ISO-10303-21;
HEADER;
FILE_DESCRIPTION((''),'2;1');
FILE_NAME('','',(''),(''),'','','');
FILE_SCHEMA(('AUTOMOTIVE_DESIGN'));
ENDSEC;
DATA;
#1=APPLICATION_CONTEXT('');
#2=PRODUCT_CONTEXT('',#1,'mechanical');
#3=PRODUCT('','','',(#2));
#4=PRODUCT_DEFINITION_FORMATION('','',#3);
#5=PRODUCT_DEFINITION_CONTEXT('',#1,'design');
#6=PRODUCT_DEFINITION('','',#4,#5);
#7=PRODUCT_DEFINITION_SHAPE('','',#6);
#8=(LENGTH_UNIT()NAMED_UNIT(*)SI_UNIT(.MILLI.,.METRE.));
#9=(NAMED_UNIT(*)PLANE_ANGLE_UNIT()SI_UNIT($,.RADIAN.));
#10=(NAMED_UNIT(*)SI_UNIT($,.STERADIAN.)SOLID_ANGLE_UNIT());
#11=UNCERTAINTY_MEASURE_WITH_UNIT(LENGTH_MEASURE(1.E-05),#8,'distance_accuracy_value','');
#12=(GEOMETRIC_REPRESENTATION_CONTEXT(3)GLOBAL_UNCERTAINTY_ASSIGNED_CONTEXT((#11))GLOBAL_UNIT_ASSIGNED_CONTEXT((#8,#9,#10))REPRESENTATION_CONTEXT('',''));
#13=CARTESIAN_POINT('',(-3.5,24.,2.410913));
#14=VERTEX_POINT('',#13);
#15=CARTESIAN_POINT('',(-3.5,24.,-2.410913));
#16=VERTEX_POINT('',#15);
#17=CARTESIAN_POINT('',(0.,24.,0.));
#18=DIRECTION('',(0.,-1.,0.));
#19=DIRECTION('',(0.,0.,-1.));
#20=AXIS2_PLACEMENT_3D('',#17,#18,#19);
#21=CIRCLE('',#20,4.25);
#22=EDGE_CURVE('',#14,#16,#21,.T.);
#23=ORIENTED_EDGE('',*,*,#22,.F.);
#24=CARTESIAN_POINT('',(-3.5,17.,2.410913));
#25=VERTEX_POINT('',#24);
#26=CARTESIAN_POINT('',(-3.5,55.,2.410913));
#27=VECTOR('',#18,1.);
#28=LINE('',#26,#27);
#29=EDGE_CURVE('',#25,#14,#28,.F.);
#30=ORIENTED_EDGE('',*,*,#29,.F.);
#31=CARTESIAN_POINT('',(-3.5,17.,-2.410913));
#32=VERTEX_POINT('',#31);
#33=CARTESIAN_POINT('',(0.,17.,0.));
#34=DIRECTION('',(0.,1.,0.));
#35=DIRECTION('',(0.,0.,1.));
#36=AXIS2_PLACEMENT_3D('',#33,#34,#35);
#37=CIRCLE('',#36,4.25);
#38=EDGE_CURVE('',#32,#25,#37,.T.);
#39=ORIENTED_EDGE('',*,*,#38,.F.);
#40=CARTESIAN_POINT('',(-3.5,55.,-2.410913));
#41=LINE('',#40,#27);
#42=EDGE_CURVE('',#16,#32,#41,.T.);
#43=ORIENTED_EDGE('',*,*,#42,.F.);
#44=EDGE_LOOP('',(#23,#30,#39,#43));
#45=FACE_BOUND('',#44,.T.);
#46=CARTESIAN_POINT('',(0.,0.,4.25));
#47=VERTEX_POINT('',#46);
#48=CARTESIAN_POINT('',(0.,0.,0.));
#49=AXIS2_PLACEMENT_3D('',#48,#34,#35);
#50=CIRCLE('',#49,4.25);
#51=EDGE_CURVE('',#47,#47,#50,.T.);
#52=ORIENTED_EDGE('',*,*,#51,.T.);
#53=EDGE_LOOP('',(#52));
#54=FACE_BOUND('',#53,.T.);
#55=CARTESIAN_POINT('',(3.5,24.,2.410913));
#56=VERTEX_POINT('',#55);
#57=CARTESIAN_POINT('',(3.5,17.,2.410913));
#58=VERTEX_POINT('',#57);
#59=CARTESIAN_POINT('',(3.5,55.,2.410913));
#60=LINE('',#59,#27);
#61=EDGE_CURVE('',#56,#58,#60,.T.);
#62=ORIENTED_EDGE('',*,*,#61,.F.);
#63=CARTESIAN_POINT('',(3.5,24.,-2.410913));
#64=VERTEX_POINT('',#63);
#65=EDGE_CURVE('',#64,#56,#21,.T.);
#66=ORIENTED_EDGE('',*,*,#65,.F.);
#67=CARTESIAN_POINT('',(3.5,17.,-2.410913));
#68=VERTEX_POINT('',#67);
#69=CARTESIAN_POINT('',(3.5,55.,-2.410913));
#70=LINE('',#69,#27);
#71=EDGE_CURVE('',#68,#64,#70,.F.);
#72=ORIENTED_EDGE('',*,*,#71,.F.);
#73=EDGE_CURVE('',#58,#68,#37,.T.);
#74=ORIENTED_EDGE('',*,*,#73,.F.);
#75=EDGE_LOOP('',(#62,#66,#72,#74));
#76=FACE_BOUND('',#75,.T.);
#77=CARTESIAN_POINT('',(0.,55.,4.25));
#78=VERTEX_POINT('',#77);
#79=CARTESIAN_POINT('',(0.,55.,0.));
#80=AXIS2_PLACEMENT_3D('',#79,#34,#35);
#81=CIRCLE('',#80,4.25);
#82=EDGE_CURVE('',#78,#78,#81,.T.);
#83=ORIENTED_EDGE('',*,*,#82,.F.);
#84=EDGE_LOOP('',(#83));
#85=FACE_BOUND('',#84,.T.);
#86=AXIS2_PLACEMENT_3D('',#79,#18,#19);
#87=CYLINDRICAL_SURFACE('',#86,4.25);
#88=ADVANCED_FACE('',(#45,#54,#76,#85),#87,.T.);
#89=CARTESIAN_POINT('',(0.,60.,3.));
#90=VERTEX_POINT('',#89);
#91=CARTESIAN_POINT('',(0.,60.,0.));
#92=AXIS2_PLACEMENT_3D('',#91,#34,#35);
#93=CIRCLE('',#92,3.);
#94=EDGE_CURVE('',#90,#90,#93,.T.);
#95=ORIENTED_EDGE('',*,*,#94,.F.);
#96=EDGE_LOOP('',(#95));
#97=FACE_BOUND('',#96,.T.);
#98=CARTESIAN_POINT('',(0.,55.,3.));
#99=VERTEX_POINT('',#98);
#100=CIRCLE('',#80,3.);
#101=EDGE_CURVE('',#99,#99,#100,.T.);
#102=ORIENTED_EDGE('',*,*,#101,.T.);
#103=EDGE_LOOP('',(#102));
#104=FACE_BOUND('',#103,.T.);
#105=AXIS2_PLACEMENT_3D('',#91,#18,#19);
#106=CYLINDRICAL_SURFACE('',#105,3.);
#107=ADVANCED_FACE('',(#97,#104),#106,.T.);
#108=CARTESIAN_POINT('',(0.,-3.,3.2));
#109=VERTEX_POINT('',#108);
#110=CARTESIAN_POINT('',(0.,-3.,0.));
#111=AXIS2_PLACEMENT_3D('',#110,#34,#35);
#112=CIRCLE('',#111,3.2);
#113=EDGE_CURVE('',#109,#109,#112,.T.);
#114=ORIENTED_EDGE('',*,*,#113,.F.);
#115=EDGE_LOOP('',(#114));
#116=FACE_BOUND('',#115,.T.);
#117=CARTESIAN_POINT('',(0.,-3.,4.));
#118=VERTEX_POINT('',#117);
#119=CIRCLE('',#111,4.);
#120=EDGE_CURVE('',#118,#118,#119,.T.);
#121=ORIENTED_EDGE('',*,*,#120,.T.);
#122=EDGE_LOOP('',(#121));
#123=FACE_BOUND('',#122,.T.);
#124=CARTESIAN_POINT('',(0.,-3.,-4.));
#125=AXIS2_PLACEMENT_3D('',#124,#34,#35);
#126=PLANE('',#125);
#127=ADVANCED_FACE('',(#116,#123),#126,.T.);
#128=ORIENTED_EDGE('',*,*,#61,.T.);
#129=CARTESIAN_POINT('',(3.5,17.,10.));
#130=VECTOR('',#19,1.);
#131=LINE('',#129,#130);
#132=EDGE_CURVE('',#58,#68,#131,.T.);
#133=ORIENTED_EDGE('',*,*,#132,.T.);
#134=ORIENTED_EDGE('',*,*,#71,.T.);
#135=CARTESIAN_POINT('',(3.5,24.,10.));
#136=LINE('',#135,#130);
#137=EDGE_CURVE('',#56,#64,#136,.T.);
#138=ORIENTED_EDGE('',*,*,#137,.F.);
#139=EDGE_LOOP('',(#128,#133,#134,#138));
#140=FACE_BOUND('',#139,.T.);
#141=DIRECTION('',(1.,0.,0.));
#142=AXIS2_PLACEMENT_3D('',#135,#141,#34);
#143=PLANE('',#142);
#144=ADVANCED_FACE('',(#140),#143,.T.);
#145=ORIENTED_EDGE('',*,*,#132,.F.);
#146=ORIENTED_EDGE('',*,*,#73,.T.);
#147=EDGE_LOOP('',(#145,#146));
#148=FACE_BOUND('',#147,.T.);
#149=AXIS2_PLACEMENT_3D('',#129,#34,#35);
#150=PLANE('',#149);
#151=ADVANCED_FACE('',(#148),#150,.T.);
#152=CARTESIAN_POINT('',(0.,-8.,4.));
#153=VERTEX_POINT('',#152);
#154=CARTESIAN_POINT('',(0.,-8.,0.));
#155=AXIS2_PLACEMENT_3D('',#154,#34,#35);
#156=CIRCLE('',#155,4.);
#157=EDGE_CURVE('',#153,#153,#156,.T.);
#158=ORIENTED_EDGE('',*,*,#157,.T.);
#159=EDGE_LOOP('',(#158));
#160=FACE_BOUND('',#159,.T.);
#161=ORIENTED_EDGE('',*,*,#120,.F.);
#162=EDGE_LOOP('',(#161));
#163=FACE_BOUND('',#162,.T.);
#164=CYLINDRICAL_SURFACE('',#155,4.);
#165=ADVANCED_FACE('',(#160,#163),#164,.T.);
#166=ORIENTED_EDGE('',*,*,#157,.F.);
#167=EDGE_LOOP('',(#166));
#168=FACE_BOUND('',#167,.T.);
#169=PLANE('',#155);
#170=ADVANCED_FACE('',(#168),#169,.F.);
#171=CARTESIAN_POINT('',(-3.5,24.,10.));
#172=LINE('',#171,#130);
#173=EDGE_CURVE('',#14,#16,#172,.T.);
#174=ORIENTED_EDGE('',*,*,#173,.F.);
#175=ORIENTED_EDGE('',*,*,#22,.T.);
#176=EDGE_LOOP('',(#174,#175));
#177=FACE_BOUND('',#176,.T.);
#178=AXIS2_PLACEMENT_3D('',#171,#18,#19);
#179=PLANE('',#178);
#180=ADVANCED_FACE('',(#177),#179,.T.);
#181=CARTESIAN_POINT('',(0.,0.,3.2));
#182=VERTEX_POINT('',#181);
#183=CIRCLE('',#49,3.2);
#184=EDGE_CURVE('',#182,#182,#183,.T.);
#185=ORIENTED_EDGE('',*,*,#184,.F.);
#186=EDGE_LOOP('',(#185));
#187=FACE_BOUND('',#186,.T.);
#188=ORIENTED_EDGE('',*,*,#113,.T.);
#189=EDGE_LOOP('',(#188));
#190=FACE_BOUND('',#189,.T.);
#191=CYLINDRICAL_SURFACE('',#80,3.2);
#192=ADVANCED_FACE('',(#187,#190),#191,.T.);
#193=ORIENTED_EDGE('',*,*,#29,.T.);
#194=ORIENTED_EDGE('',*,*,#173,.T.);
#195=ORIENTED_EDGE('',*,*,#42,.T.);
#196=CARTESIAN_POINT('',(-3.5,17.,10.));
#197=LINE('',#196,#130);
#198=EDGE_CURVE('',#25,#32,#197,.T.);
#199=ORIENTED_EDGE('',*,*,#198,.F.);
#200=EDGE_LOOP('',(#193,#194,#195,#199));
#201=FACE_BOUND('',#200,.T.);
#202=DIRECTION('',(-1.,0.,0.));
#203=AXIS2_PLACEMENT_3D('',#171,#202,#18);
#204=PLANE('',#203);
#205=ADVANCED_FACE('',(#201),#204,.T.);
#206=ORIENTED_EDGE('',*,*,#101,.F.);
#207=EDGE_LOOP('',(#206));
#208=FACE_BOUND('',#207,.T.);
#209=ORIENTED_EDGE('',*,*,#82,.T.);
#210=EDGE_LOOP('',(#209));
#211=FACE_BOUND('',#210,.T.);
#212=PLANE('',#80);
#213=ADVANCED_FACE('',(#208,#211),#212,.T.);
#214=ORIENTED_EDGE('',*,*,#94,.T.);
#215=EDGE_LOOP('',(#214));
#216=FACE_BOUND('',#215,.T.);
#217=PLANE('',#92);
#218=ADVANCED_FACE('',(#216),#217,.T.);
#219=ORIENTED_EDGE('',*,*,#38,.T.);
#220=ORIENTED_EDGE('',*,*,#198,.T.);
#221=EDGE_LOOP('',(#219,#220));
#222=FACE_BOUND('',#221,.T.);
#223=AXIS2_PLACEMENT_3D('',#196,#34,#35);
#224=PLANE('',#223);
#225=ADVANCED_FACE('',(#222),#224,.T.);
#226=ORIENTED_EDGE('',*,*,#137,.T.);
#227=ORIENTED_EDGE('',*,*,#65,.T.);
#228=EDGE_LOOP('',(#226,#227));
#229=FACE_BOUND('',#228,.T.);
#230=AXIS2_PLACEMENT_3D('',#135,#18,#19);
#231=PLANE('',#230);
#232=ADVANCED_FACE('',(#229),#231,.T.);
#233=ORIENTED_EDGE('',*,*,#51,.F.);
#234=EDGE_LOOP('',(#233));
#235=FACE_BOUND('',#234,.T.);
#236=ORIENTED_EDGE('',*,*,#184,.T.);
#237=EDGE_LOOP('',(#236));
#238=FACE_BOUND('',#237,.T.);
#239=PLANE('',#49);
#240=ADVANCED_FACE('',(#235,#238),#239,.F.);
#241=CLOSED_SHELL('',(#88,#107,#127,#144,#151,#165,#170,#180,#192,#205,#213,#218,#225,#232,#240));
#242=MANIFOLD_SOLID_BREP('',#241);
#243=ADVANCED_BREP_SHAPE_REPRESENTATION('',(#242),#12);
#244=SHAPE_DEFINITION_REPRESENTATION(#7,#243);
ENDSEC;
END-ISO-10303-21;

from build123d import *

# Parameters (mm, degrees)
SKETCH1_R               = 4.25
BOSS_EXTRUDE1_DEPTH     = 55
SKETCH4_R               = 3
BOSS_EXTRUDE3_DEPTH     = 5
CUT_EXTRUDE2_DEPTH      = 10
CUT_EXTRUDE2_DEPTH_BACK = 10
SKETCH5_W               = 0.75
SKETCH5_H               = 7
SKETCH3_R               = 4
BOSS_EXTRUDE2_DEPTH     = 8
SKETCH6_W               = 0.8
SKETCH6_H               = 3


with BuildPart() as part:
    # Sketch1 → Boss-Extrude1 (new body)
    with BuildSketch(Plane(origin=(0, 0, 0), x_dir=(1, 0, 0), z_dir=(0, 1, 0))):
        Circle(SKETCH1_R)
    extrude(amount=BOSS_EXTRUDE1_DEPTH)

    # Sketch4 → Boss-Extrude3 (add)
    with BuildSketch(Plane(origin=(0, 55, 0), x_dir=(1, 0, 0), z_dir=(0, 1, 0))):
        Circle(SKETCH4_R)
    extrude(amount=BOSS_EXTRUDE3_DEPTH)

    # Sketch5 → Cut-Extrude2 (cut, two sides: drawn at the far end of the back side and taken through both)
    with BuildSketch(Plane.XY.offset(-CUT_EXTRUDE2_DEPTH_BACK)):
        with Locations((-3.875, 20.5)):
            Rectangle(SKETCH5_W, SKETCH5_H)
        with Locations((3.875, 20.5)):
            Rectangle(SKETCH5_W, SKETCH5_H)
    extrude(amount=CUT_EXTRUDE2_DEPTH + CUT_EXTRUDE2_DEPTH_BACK, mode=Mode.SUBTRACT)

    # Sketch3 → Boss-Extrude2 (add)
    with BuildSketch(Plane(origin=(0, 0, 0), x_dir=(1, 0, 0), z_dir=(0, 1, 0))):
        Circle(SKETCH3_R)
    extrude(amount=-BOSS_EXTRUDE2_DEPTH)

    # Sketch6 → Cut-Revolve1 (revolve, cut)
    with BuildSketch(Plane(origin=(0, 0, 0), x_dir=(0, 0, -1), z_dir=(1, 0, 0))):
        with Locations((3.6, -1.5)):
            Rectangle(SKETCH6_W, SKETCH6_H)
    revolve(axis=Axis((0, 55, 0), (0, -1, 0)), mode=Mode.SUBTRACT)


solid = part.part
